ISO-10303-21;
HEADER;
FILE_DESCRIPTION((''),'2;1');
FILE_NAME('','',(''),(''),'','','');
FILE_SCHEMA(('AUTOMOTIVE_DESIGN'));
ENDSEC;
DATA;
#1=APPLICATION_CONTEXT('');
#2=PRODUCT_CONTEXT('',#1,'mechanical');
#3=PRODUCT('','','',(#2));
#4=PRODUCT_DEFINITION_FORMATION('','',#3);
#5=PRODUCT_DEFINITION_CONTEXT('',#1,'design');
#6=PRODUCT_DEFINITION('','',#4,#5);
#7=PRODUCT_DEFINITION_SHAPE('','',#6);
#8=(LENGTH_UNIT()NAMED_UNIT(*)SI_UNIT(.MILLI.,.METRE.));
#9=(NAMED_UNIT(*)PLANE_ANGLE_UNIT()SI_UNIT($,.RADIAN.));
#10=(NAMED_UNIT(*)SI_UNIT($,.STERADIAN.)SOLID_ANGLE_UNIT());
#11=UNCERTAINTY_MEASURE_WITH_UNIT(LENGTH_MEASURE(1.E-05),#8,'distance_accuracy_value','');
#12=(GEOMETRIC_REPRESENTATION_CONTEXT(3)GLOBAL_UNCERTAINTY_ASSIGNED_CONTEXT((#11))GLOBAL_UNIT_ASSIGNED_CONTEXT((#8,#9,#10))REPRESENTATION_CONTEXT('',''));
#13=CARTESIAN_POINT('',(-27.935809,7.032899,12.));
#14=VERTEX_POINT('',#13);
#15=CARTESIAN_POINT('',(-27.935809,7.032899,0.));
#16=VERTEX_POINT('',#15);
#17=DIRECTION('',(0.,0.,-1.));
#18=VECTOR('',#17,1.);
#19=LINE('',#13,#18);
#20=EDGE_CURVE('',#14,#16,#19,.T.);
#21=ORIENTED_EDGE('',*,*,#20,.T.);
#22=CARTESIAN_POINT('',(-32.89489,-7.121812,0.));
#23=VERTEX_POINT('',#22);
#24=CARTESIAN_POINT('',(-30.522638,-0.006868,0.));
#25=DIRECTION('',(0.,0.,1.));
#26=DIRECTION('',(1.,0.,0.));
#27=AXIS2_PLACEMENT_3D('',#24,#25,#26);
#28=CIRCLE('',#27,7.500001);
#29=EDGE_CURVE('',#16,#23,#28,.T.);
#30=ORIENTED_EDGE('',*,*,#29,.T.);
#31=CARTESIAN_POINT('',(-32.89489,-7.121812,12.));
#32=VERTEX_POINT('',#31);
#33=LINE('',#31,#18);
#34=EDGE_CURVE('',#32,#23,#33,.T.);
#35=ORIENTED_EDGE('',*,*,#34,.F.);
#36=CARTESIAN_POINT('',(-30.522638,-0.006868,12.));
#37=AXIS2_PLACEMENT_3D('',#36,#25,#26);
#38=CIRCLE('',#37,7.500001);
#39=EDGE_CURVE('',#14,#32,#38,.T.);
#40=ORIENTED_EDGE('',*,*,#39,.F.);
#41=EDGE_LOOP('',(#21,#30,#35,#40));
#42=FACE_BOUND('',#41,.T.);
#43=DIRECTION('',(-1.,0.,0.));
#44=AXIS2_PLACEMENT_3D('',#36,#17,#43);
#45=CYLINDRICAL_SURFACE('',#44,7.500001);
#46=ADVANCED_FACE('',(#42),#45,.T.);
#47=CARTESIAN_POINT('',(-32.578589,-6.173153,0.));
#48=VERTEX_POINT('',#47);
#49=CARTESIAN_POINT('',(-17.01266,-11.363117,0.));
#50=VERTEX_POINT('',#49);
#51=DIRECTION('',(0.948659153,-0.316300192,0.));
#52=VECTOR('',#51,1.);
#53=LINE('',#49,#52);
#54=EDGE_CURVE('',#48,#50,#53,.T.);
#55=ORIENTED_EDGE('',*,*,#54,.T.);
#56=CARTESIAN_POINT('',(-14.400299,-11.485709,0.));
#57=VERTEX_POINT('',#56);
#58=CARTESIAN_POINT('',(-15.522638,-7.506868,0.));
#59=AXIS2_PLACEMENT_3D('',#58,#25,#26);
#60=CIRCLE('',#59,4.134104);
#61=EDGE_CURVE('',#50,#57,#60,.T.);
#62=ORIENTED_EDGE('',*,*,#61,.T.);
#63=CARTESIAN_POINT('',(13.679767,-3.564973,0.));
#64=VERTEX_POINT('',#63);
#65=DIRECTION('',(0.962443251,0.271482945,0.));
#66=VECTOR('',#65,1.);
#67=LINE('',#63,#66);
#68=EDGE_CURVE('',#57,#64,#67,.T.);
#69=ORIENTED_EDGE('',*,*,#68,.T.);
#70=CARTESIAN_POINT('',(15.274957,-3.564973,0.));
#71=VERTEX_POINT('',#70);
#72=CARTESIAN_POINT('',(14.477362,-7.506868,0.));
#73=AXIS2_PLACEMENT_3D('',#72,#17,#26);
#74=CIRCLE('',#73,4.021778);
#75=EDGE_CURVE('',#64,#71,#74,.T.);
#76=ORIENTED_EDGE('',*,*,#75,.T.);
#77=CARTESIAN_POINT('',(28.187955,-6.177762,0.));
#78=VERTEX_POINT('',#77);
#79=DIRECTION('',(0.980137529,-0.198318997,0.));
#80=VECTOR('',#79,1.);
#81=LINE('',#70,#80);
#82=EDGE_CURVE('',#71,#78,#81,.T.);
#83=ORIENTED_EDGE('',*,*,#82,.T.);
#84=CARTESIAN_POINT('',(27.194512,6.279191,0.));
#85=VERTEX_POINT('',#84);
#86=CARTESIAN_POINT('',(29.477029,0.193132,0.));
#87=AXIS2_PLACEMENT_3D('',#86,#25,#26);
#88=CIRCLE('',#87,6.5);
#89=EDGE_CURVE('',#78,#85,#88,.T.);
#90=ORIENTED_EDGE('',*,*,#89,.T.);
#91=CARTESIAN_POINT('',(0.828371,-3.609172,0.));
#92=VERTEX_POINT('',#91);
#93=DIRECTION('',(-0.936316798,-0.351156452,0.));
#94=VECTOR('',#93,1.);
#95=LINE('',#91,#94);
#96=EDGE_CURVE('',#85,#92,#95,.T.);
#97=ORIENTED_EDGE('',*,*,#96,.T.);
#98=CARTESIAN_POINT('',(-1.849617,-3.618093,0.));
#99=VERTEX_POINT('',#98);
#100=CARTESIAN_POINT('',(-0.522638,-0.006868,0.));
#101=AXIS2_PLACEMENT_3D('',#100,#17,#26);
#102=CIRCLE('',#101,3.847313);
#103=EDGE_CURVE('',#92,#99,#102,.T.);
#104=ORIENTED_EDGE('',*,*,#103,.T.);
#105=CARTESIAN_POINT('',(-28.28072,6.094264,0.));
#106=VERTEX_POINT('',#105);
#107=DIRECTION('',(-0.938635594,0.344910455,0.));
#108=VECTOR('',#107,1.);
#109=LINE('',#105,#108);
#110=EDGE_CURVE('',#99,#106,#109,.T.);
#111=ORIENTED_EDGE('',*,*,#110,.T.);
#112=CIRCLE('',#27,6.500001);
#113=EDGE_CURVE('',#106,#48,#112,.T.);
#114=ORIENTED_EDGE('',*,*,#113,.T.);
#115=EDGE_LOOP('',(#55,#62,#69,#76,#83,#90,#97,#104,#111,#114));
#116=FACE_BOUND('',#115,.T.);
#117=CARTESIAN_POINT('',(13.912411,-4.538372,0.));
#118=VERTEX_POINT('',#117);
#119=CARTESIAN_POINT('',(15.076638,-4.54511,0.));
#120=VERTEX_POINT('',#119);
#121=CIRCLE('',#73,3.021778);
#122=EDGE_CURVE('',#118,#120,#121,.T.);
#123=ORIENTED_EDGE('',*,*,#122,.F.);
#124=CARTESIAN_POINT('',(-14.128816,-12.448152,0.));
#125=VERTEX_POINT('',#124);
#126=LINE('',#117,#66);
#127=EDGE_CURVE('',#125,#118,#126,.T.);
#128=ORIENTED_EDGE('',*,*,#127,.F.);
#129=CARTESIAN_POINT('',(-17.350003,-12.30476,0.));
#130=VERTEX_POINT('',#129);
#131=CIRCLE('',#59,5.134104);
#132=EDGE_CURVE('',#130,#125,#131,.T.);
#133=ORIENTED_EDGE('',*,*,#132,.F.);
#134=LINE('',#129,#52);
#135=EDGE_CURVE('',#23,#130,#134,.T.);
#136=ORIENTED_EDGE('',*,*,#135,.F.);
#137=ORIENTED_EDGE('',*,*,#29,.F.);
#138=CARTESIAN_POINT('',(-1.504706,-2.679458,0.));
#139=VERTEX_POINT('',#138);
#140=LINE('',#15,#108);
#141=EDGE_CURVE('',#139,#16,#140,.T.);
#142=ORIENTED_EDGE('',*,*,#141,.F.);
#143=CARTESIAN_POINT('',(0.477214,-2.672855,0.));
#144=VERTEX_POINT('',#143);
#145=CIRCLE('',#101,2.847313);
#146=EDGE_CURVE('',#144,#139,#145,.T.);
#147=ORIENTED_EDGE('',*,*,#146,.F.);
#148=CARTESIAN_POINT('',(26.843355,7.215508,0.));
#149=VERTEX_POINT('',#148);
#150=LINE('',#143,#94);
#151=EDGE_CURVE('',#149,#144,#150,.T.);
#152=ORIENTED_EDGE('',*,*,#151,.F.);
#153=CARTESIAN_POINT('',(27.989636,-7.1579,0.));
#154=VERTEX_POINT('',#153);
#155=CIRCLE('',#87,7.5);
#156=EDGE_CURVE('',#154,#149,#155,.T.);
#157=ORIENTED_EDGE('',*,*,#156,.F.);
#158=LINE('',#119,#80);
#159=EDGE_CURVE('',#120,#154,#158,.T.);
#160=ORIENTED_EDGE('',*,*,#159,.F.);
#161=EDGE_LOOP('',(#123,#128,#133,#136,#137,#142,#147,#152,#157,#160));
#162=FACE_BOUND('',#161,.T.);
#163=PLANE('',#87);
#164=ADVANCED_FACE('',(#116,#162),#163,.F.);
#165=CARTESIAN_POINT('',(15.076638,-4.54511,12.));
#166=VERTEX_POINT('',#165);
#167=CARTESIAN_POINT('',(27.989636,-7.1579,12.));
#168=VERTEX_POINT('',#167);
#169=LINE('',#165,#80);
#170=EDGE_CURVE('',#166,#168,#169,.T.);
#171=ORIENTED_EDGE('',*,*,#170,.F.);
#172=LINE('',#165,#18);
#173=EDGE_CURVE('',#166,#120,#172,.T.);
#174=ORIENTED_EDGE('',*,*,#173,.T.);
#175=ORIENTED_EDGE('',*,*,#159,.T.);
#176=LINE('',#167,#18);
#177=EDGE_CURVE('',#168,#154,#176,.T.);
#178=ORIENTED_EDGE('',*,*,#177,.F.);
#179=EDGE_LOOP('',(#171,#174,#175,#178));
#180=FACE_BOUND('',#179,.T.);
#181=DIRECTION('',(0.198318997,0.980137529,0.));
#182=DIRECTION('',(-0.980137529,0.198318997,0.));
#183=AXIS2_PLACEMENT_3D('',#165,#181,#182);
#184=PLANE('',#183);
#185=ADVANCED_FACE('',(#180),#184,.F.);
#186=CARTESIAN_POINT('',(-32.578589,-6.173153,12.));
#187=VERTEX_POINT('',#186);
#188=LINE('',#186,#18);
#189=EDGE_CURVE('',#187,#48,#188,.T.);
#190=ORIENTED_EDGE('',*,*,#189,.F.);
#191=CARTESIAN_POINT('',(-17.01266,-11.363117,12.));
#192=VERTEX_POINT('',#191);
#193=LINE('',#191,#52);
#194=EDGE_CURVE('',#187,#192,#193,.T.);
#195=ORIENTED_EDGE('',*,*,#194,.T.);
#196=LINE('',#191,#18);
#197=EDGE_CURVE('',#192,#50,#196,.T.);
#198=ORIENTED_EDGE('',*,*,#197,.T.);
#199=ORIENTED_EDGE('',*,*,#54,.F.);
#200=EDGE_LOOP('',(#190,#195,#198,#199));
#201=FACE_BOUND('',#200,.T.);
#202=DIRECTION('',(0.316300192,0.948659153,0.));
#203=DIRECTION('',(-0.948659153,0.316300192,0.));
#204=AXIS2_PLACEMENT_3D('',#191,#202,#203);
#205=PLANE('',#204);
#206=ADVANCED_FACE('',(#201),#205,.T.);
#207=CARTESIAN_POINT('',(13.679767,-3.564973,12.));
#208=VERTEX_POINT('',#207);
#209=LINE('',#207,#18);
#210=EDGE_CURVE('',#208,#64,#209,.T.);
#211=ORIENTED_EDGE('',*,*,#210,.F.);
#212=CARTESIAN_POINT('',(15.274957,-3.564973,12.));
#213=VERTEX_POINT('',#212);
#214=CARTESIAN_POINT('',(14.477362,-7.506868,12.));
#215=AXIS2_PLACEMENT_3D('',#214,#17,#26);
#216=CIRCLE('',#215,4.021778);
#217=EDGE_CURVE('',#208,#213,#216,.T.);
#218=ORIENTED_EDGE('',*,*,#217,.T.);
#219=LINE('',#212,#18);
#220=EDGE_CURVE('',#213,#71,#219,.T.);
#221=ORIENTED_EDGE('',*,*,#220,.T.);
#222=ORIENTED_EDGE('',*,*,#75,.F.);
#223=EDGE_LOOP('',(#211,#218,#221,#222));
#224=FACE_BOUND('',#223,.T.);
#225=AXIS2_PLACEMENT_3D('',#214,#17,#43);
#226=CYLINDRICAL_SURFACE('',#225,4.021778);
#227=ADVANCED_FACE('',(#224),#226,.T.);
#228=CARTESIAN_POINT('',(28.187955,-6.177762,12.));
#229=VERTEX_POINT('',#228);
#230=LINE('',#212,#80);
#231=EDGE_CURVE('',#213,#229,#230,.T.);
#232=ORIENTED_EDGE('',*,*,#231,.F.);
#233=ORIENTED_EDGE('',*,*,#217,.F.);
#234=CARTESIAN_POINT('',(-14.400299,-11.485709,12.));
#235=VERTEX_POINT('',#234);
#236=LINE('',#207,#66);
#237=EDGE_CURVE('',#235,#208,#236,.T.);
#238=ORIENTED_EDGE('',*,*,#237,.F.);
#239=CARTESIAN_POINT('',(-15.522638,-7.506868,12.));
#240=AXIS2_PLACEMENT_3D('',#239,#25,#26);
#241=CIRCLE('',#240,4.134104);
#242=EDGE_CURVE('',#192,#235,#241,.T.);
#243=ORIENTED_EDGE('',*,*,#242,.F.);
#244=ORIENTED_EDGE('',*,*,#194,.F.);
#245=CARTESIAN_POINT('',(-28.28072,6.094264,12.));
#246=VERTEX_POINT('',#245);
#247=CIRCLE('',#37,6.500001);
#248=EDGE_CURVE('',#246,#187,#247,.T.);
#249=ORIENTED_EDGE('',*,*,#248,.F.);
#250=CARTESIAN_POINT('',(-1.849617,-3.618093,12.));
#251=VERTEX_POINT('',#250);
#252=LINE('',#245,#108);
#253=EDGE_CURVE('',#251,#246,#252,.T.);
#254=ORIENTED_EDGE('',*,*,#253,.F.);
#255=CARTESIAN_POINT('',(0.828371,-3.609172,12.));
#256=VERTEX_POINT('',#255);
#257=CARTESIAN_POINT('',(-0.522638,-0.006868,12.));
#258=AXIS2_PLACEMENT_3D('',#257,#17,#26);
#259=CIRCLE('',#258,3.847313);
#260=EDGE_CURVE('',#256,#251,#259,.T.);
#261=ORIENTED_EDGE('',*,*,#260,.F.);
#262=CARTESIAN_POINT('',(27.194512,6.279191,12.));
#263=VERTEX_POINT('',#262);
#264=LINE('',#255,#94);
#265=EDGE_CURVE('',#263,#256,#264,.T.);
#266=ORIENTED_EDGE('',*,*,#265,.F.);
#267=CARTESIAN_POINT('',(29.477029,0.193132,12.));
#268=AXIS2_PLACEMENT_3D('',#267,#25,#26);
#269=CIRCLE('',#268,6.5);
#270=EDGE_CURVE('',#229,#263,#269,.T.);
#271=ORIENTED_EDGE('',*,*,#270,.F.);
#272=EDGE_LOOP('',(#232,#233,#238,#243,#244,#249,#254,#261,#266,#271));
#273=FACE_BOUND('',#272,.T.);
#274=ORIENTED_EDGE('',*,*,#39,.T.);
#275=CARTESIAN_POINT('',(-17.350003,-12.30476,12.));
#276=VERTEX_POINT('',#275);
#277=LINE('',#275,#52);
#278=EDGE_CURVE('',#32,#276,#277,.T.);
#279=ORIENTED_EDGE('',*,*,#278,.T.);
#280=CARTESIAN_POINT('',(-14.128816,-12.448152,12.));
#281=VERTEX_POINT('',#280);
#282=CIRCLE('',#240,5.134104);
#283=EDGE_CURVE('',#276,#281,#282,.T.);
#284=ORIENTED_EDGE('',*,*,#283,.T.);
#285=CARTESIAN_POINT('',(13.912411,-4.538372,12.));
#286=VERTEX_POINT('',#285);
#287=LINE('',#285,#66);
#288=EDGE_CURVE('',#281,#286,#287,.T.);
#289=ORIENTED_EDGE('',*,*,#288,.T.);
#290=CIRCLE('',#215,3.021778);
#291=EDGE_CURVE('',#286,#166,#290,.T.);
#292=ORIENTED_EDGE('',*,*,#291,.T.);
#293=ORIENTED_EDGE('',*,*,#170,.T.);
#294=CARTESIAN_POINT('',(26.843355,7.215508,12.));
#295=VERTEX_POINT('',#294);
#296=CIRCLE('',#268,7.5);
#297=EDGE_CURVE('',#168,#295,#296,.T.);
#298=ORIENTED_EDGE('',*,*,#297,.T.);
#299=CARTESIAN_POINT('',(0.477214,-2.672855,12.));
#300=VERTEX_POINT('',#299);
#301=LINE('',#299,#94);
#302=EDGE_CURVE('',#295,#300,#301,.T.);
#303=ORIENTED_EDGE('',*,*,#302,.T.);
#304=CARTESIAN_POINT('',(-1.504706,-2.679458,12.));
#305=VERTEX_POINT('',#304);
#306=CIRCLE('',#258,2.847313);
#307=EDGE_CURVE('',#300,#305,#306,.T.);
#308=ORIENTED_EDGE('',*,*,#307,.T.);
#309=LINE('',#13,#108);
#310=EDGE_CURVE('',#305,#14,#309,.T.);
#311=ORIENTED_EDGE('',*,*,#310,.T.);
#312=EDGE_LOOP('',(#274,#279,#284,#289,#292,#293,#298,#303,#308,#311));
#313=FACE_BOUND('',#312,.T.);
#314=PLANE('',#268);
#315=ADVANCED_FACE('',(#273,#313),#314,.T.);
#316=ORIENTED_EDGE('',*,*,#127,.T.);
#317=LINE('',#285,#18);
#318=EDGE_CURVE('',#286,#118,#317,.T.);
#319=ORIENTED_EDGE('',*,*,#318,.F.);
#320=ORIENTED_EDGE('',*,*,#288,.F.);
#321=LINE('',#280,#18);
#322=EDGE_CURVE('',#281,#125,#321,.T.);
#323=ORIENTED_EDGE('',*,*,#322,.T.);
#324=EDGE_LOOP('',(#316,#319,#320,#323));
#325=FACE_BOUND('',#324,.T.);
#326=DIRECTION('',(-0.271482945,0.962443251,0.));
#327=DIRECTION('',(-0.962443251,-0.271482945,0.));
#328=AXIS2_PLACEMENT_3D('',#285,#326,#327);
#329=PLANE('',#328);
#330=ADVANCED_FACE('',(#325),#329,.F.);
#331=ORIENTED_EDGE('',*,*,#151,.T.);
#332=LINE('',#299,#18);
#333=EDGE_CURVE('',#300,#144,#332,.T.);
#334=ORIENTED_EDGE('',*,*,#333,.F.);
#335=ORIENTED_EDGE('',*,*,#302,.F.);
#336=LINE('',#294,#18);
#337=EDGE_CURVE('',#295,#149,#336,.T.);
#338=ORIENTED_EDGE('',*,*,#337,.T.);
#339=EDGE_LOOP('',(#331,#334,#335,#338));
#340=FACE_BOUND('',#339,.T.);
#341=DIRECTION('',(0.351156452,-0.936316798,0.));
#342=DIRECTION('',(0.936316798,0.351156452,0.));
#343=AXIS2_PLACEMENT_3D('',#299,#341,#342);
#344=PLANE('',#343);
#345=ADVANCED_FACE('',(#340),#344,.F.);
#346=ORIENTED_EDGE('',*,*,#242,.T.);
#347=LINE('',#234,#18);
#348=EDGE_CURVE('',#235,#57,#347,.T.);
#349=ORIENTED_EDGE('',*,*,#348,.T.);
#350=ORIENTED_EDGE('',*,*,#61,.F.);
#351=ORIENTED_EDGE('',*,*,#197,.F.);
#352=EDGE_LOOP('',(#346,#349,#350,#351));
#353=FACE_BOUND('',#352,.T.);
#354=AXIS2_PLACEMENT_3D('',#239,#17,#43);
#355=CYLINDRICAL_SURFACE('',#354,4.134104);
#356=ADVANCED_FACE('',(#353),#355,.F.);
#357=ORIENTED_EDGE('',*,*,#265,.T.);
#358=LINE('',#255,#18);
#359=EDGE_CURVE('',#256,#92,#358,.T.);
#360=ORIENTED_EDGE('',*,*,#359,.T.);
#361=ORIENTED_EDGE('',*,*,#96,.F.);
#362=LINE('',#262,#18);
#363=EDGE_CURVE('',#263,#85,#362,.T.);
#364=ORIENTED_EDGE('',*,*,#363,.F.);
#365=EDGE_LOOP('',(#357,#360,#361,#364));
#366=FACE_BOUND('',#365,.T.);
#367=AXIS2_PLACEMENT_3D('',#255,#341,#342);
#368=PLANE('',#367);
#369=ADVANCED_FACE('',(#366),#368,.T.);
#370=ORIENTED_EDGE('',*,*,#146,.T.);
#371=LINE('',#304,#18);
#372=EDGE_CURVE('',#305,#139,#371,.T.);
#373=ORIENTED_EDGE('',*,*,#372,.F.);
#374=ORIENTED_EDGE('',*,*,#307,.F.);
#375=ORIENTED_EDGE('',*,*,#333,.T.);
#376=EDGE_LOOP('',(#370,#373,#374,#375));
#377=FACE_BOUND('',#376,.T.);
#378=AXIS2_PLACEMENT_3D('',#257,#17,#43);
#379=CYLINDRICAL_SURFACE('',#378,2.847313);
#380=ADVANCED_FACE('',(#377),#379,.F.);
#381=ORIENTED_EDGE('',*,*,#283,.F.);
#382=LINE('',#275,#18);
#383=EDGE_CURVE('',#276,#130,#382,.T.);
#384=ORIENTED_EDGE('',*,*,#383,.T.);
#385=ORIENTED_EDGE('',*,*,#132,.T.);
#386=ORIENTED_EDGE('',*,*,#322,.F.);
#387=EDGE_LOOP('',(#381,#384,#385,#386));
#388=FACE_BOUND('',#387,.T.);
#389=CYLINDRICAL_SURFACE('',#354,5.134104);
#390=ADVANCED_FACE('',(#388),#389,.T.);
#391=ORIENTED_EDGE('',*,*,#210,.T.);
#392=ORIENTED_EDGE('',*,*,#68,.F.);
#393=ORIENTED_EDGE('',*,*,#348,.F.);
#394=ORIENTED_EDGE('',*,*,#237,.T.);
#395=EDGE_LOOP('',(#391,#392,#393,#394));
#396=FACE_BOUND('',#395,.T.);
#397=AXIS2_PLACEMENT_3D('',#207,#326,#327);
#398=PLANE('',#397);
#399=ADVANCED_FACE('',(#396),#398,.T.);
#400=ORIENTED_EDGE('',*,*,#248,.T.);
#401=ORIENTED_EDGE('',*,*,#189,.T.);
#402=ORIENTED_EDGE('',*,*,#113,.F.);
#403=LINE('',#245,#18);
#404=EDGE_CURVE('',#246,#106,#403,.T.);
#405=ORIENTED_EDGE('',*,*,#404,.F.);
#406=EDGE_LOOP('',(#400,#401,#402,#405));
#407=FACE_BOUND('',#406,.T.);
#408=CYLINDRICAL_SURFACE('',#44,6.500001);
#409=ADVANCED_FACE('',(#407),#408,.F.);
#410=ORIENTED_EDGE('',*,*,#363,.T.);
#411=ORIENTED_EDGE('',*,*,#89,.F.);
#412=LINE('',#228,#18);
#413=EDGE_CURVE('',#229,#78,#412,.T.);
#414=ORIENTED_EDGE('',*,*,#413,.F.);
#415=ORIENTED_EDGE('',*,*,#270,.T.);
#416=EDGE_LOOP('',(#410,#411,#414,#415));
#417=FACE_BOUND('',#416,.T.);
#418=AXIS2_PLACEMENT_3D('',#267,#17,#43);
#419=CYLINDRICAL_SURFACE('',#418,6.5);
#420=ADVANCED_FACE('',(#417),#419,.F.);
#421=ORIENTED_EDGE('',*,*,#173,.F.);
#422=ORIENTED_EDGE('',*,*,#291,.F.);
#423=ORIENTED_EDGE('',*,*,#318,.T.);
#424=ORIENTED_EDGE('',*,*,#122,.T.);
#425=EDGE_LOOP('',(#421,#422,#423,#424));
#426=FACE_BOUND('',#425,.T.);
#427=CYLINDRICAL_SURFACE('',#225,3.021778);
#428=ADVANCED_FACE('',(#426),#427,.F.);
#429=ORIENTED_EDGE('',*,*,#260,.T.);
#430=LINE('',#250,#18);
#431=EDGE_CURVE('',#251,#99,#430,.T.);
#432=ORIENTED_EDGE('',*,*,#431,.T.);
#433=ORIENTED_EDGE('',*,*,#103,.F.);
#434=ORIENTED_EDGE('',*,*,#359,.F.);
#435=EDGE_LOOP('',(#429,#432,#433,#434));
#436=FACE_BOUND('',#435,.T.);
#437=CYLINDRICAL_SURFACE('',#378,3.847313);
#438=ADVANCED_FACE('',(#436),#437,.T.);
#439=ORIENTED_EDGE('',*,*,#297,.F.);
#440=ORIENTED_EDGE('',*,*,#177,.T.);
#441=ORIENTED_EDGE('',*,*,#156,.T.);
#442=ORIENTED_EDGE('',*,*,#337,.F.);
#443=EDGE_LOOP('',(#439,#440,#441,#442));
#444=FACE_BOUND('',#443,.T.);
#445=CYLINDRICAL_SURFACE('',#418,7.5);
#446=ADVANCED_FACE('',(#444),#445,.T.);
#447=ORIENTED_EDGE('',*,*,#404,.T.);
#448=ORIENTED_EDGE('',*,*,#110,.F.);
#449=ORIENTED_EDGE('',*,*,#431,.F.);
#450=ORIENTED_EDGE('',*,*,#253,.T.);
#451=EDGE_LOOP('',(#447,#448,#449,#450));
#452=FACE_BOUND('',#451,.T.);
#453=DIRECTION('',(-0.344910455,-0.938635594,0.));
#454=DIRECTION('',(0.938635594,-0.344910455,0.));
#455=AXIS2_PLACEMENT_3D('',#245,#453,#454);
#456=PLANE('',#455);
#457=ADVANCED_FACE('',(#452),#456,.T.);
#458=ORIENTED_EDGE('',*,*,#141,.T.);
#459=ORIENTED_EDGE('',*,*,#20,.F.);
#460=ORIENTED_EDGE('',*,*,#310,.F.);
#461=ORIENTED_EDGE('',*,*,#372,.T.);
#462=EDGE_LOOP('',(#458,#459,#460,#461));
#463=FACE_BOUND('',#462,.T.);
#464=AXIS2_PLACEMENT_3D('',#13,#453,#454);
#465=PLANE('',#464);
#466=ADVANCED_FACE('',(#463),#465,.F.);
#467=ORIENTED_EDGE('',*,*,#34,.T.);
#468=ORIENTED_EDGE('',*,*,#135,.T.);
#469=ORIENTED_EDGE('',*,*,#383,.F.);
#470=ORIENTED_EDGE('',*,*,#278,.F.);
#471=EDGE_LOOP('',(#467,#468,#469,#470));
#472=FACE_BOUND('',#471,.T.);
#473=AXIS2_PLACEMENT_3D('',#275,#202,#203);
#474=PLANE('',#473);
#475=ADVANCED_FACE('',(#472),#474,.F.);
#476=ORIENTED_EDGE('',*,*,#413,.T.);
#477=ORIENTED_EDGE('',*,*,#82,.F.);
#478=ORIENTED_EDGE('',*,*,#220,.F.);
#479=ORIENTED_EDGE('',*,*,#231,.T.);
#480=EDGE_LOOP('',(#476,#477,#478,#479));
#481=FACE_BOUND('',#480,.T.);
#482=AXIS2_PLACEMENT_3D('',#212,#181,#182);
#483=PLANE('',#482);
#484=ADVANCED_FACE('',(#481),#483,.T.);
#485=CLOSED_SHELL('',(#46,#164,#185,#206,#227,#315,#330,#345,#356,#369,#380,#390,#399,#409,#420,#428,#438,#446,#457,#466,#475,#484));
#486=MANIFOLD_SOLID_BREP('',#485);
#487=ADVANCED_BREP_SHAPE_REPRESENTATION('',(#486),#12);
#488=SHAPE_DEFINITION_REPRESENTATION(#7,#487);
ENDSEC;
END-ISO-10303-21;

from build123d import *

# Parameters (mm, degrees)
BOSS_EXTRUDE1_DEPTH = 12


with BuildPart() as part:
    # Sketch1 → Boss-Extrude1 (new body)
    with BuildSketch(Plane.XY):
        with BuildLine():
            Line((0.477214368, -2.672855337), (26.843355259, 7.215507779))
            ThreePointArc((26.843355259, 7.215507779), (36.953291517, 0.789364626), (27.989636176, -7.157899677))
            Line((27.989636176, -7.157899677), (15.076637928, -4.54511037))
            ThreePointArc((15.076637928, -4.54511037), (14.494851923, -4.485141012), (13.912410709, -4.538371753))
            Line((13.912410709, -4.538371753), (-14.128816251, -12.448152272))
            ThreePointArc((-14.128816251, -12.448152272), (-15.750958715, -12.635893161), (-17.350003272, -12.304759779))
            Line((-17.350003272, -12.304759779), (-32.894889614, -7.121812332))
            ThreePointArc((-32.894889614, -7.121812332), (-37.600806958, 2.472956777), (-27.935809428, 7.032899219))
            Line((-27.935809428, 7.032899219), (-1.504706088, -2.679457675))
            ThreePointArc((-1.504706088, -2.679457675), (-0.513152862, -2.854165557), (0.477214368, -2.672855337))
        make_face()
        with BuildLine():
            Line((-28.280719883, 6.094263625), (-1.849616543, -3.618093269))
            ThreePointArc((-1.849616543, -3.618093269), (-0.509821597, -3.854160008), (0.82837082, -3.609172135))
            Line((0.82837082, -3.609172135), (27.194511712, 6.279190981))
            ThreePointArc((27.194511712, 6.279190981), (35.956456468, 0.709866915), (28.187955173, -6.177762148))
            Line((28.187955173, -6.177762148), (15.274956925, -3.564972841))
            ThreePointArc((15.274956925, -3.564972841), (14.477361985, -3.485090396), (13.679767045, -3.564972841))
            Line((13.679767045, -3.564972841), (-14.400299195, -11.485709022))
            ThreePointArc((-14.400299195, -11.485709022), (-15.71642918, -11.636427946), (-17.012660358, -11.363116652))
            Line((-17.012660358, -11.363116652), (-32.578589422, -6.173153179))
            ThreePointArc((-32.578589422, -6.173153179), (-36.657051163, 2.142313468), (-28.280719883, 6.094263625))
        make_face(mode=Mode.SUBTRACT)
    extrude(amount=BOSS_EXTRUDE1_DEPTH)


solid = part.part
